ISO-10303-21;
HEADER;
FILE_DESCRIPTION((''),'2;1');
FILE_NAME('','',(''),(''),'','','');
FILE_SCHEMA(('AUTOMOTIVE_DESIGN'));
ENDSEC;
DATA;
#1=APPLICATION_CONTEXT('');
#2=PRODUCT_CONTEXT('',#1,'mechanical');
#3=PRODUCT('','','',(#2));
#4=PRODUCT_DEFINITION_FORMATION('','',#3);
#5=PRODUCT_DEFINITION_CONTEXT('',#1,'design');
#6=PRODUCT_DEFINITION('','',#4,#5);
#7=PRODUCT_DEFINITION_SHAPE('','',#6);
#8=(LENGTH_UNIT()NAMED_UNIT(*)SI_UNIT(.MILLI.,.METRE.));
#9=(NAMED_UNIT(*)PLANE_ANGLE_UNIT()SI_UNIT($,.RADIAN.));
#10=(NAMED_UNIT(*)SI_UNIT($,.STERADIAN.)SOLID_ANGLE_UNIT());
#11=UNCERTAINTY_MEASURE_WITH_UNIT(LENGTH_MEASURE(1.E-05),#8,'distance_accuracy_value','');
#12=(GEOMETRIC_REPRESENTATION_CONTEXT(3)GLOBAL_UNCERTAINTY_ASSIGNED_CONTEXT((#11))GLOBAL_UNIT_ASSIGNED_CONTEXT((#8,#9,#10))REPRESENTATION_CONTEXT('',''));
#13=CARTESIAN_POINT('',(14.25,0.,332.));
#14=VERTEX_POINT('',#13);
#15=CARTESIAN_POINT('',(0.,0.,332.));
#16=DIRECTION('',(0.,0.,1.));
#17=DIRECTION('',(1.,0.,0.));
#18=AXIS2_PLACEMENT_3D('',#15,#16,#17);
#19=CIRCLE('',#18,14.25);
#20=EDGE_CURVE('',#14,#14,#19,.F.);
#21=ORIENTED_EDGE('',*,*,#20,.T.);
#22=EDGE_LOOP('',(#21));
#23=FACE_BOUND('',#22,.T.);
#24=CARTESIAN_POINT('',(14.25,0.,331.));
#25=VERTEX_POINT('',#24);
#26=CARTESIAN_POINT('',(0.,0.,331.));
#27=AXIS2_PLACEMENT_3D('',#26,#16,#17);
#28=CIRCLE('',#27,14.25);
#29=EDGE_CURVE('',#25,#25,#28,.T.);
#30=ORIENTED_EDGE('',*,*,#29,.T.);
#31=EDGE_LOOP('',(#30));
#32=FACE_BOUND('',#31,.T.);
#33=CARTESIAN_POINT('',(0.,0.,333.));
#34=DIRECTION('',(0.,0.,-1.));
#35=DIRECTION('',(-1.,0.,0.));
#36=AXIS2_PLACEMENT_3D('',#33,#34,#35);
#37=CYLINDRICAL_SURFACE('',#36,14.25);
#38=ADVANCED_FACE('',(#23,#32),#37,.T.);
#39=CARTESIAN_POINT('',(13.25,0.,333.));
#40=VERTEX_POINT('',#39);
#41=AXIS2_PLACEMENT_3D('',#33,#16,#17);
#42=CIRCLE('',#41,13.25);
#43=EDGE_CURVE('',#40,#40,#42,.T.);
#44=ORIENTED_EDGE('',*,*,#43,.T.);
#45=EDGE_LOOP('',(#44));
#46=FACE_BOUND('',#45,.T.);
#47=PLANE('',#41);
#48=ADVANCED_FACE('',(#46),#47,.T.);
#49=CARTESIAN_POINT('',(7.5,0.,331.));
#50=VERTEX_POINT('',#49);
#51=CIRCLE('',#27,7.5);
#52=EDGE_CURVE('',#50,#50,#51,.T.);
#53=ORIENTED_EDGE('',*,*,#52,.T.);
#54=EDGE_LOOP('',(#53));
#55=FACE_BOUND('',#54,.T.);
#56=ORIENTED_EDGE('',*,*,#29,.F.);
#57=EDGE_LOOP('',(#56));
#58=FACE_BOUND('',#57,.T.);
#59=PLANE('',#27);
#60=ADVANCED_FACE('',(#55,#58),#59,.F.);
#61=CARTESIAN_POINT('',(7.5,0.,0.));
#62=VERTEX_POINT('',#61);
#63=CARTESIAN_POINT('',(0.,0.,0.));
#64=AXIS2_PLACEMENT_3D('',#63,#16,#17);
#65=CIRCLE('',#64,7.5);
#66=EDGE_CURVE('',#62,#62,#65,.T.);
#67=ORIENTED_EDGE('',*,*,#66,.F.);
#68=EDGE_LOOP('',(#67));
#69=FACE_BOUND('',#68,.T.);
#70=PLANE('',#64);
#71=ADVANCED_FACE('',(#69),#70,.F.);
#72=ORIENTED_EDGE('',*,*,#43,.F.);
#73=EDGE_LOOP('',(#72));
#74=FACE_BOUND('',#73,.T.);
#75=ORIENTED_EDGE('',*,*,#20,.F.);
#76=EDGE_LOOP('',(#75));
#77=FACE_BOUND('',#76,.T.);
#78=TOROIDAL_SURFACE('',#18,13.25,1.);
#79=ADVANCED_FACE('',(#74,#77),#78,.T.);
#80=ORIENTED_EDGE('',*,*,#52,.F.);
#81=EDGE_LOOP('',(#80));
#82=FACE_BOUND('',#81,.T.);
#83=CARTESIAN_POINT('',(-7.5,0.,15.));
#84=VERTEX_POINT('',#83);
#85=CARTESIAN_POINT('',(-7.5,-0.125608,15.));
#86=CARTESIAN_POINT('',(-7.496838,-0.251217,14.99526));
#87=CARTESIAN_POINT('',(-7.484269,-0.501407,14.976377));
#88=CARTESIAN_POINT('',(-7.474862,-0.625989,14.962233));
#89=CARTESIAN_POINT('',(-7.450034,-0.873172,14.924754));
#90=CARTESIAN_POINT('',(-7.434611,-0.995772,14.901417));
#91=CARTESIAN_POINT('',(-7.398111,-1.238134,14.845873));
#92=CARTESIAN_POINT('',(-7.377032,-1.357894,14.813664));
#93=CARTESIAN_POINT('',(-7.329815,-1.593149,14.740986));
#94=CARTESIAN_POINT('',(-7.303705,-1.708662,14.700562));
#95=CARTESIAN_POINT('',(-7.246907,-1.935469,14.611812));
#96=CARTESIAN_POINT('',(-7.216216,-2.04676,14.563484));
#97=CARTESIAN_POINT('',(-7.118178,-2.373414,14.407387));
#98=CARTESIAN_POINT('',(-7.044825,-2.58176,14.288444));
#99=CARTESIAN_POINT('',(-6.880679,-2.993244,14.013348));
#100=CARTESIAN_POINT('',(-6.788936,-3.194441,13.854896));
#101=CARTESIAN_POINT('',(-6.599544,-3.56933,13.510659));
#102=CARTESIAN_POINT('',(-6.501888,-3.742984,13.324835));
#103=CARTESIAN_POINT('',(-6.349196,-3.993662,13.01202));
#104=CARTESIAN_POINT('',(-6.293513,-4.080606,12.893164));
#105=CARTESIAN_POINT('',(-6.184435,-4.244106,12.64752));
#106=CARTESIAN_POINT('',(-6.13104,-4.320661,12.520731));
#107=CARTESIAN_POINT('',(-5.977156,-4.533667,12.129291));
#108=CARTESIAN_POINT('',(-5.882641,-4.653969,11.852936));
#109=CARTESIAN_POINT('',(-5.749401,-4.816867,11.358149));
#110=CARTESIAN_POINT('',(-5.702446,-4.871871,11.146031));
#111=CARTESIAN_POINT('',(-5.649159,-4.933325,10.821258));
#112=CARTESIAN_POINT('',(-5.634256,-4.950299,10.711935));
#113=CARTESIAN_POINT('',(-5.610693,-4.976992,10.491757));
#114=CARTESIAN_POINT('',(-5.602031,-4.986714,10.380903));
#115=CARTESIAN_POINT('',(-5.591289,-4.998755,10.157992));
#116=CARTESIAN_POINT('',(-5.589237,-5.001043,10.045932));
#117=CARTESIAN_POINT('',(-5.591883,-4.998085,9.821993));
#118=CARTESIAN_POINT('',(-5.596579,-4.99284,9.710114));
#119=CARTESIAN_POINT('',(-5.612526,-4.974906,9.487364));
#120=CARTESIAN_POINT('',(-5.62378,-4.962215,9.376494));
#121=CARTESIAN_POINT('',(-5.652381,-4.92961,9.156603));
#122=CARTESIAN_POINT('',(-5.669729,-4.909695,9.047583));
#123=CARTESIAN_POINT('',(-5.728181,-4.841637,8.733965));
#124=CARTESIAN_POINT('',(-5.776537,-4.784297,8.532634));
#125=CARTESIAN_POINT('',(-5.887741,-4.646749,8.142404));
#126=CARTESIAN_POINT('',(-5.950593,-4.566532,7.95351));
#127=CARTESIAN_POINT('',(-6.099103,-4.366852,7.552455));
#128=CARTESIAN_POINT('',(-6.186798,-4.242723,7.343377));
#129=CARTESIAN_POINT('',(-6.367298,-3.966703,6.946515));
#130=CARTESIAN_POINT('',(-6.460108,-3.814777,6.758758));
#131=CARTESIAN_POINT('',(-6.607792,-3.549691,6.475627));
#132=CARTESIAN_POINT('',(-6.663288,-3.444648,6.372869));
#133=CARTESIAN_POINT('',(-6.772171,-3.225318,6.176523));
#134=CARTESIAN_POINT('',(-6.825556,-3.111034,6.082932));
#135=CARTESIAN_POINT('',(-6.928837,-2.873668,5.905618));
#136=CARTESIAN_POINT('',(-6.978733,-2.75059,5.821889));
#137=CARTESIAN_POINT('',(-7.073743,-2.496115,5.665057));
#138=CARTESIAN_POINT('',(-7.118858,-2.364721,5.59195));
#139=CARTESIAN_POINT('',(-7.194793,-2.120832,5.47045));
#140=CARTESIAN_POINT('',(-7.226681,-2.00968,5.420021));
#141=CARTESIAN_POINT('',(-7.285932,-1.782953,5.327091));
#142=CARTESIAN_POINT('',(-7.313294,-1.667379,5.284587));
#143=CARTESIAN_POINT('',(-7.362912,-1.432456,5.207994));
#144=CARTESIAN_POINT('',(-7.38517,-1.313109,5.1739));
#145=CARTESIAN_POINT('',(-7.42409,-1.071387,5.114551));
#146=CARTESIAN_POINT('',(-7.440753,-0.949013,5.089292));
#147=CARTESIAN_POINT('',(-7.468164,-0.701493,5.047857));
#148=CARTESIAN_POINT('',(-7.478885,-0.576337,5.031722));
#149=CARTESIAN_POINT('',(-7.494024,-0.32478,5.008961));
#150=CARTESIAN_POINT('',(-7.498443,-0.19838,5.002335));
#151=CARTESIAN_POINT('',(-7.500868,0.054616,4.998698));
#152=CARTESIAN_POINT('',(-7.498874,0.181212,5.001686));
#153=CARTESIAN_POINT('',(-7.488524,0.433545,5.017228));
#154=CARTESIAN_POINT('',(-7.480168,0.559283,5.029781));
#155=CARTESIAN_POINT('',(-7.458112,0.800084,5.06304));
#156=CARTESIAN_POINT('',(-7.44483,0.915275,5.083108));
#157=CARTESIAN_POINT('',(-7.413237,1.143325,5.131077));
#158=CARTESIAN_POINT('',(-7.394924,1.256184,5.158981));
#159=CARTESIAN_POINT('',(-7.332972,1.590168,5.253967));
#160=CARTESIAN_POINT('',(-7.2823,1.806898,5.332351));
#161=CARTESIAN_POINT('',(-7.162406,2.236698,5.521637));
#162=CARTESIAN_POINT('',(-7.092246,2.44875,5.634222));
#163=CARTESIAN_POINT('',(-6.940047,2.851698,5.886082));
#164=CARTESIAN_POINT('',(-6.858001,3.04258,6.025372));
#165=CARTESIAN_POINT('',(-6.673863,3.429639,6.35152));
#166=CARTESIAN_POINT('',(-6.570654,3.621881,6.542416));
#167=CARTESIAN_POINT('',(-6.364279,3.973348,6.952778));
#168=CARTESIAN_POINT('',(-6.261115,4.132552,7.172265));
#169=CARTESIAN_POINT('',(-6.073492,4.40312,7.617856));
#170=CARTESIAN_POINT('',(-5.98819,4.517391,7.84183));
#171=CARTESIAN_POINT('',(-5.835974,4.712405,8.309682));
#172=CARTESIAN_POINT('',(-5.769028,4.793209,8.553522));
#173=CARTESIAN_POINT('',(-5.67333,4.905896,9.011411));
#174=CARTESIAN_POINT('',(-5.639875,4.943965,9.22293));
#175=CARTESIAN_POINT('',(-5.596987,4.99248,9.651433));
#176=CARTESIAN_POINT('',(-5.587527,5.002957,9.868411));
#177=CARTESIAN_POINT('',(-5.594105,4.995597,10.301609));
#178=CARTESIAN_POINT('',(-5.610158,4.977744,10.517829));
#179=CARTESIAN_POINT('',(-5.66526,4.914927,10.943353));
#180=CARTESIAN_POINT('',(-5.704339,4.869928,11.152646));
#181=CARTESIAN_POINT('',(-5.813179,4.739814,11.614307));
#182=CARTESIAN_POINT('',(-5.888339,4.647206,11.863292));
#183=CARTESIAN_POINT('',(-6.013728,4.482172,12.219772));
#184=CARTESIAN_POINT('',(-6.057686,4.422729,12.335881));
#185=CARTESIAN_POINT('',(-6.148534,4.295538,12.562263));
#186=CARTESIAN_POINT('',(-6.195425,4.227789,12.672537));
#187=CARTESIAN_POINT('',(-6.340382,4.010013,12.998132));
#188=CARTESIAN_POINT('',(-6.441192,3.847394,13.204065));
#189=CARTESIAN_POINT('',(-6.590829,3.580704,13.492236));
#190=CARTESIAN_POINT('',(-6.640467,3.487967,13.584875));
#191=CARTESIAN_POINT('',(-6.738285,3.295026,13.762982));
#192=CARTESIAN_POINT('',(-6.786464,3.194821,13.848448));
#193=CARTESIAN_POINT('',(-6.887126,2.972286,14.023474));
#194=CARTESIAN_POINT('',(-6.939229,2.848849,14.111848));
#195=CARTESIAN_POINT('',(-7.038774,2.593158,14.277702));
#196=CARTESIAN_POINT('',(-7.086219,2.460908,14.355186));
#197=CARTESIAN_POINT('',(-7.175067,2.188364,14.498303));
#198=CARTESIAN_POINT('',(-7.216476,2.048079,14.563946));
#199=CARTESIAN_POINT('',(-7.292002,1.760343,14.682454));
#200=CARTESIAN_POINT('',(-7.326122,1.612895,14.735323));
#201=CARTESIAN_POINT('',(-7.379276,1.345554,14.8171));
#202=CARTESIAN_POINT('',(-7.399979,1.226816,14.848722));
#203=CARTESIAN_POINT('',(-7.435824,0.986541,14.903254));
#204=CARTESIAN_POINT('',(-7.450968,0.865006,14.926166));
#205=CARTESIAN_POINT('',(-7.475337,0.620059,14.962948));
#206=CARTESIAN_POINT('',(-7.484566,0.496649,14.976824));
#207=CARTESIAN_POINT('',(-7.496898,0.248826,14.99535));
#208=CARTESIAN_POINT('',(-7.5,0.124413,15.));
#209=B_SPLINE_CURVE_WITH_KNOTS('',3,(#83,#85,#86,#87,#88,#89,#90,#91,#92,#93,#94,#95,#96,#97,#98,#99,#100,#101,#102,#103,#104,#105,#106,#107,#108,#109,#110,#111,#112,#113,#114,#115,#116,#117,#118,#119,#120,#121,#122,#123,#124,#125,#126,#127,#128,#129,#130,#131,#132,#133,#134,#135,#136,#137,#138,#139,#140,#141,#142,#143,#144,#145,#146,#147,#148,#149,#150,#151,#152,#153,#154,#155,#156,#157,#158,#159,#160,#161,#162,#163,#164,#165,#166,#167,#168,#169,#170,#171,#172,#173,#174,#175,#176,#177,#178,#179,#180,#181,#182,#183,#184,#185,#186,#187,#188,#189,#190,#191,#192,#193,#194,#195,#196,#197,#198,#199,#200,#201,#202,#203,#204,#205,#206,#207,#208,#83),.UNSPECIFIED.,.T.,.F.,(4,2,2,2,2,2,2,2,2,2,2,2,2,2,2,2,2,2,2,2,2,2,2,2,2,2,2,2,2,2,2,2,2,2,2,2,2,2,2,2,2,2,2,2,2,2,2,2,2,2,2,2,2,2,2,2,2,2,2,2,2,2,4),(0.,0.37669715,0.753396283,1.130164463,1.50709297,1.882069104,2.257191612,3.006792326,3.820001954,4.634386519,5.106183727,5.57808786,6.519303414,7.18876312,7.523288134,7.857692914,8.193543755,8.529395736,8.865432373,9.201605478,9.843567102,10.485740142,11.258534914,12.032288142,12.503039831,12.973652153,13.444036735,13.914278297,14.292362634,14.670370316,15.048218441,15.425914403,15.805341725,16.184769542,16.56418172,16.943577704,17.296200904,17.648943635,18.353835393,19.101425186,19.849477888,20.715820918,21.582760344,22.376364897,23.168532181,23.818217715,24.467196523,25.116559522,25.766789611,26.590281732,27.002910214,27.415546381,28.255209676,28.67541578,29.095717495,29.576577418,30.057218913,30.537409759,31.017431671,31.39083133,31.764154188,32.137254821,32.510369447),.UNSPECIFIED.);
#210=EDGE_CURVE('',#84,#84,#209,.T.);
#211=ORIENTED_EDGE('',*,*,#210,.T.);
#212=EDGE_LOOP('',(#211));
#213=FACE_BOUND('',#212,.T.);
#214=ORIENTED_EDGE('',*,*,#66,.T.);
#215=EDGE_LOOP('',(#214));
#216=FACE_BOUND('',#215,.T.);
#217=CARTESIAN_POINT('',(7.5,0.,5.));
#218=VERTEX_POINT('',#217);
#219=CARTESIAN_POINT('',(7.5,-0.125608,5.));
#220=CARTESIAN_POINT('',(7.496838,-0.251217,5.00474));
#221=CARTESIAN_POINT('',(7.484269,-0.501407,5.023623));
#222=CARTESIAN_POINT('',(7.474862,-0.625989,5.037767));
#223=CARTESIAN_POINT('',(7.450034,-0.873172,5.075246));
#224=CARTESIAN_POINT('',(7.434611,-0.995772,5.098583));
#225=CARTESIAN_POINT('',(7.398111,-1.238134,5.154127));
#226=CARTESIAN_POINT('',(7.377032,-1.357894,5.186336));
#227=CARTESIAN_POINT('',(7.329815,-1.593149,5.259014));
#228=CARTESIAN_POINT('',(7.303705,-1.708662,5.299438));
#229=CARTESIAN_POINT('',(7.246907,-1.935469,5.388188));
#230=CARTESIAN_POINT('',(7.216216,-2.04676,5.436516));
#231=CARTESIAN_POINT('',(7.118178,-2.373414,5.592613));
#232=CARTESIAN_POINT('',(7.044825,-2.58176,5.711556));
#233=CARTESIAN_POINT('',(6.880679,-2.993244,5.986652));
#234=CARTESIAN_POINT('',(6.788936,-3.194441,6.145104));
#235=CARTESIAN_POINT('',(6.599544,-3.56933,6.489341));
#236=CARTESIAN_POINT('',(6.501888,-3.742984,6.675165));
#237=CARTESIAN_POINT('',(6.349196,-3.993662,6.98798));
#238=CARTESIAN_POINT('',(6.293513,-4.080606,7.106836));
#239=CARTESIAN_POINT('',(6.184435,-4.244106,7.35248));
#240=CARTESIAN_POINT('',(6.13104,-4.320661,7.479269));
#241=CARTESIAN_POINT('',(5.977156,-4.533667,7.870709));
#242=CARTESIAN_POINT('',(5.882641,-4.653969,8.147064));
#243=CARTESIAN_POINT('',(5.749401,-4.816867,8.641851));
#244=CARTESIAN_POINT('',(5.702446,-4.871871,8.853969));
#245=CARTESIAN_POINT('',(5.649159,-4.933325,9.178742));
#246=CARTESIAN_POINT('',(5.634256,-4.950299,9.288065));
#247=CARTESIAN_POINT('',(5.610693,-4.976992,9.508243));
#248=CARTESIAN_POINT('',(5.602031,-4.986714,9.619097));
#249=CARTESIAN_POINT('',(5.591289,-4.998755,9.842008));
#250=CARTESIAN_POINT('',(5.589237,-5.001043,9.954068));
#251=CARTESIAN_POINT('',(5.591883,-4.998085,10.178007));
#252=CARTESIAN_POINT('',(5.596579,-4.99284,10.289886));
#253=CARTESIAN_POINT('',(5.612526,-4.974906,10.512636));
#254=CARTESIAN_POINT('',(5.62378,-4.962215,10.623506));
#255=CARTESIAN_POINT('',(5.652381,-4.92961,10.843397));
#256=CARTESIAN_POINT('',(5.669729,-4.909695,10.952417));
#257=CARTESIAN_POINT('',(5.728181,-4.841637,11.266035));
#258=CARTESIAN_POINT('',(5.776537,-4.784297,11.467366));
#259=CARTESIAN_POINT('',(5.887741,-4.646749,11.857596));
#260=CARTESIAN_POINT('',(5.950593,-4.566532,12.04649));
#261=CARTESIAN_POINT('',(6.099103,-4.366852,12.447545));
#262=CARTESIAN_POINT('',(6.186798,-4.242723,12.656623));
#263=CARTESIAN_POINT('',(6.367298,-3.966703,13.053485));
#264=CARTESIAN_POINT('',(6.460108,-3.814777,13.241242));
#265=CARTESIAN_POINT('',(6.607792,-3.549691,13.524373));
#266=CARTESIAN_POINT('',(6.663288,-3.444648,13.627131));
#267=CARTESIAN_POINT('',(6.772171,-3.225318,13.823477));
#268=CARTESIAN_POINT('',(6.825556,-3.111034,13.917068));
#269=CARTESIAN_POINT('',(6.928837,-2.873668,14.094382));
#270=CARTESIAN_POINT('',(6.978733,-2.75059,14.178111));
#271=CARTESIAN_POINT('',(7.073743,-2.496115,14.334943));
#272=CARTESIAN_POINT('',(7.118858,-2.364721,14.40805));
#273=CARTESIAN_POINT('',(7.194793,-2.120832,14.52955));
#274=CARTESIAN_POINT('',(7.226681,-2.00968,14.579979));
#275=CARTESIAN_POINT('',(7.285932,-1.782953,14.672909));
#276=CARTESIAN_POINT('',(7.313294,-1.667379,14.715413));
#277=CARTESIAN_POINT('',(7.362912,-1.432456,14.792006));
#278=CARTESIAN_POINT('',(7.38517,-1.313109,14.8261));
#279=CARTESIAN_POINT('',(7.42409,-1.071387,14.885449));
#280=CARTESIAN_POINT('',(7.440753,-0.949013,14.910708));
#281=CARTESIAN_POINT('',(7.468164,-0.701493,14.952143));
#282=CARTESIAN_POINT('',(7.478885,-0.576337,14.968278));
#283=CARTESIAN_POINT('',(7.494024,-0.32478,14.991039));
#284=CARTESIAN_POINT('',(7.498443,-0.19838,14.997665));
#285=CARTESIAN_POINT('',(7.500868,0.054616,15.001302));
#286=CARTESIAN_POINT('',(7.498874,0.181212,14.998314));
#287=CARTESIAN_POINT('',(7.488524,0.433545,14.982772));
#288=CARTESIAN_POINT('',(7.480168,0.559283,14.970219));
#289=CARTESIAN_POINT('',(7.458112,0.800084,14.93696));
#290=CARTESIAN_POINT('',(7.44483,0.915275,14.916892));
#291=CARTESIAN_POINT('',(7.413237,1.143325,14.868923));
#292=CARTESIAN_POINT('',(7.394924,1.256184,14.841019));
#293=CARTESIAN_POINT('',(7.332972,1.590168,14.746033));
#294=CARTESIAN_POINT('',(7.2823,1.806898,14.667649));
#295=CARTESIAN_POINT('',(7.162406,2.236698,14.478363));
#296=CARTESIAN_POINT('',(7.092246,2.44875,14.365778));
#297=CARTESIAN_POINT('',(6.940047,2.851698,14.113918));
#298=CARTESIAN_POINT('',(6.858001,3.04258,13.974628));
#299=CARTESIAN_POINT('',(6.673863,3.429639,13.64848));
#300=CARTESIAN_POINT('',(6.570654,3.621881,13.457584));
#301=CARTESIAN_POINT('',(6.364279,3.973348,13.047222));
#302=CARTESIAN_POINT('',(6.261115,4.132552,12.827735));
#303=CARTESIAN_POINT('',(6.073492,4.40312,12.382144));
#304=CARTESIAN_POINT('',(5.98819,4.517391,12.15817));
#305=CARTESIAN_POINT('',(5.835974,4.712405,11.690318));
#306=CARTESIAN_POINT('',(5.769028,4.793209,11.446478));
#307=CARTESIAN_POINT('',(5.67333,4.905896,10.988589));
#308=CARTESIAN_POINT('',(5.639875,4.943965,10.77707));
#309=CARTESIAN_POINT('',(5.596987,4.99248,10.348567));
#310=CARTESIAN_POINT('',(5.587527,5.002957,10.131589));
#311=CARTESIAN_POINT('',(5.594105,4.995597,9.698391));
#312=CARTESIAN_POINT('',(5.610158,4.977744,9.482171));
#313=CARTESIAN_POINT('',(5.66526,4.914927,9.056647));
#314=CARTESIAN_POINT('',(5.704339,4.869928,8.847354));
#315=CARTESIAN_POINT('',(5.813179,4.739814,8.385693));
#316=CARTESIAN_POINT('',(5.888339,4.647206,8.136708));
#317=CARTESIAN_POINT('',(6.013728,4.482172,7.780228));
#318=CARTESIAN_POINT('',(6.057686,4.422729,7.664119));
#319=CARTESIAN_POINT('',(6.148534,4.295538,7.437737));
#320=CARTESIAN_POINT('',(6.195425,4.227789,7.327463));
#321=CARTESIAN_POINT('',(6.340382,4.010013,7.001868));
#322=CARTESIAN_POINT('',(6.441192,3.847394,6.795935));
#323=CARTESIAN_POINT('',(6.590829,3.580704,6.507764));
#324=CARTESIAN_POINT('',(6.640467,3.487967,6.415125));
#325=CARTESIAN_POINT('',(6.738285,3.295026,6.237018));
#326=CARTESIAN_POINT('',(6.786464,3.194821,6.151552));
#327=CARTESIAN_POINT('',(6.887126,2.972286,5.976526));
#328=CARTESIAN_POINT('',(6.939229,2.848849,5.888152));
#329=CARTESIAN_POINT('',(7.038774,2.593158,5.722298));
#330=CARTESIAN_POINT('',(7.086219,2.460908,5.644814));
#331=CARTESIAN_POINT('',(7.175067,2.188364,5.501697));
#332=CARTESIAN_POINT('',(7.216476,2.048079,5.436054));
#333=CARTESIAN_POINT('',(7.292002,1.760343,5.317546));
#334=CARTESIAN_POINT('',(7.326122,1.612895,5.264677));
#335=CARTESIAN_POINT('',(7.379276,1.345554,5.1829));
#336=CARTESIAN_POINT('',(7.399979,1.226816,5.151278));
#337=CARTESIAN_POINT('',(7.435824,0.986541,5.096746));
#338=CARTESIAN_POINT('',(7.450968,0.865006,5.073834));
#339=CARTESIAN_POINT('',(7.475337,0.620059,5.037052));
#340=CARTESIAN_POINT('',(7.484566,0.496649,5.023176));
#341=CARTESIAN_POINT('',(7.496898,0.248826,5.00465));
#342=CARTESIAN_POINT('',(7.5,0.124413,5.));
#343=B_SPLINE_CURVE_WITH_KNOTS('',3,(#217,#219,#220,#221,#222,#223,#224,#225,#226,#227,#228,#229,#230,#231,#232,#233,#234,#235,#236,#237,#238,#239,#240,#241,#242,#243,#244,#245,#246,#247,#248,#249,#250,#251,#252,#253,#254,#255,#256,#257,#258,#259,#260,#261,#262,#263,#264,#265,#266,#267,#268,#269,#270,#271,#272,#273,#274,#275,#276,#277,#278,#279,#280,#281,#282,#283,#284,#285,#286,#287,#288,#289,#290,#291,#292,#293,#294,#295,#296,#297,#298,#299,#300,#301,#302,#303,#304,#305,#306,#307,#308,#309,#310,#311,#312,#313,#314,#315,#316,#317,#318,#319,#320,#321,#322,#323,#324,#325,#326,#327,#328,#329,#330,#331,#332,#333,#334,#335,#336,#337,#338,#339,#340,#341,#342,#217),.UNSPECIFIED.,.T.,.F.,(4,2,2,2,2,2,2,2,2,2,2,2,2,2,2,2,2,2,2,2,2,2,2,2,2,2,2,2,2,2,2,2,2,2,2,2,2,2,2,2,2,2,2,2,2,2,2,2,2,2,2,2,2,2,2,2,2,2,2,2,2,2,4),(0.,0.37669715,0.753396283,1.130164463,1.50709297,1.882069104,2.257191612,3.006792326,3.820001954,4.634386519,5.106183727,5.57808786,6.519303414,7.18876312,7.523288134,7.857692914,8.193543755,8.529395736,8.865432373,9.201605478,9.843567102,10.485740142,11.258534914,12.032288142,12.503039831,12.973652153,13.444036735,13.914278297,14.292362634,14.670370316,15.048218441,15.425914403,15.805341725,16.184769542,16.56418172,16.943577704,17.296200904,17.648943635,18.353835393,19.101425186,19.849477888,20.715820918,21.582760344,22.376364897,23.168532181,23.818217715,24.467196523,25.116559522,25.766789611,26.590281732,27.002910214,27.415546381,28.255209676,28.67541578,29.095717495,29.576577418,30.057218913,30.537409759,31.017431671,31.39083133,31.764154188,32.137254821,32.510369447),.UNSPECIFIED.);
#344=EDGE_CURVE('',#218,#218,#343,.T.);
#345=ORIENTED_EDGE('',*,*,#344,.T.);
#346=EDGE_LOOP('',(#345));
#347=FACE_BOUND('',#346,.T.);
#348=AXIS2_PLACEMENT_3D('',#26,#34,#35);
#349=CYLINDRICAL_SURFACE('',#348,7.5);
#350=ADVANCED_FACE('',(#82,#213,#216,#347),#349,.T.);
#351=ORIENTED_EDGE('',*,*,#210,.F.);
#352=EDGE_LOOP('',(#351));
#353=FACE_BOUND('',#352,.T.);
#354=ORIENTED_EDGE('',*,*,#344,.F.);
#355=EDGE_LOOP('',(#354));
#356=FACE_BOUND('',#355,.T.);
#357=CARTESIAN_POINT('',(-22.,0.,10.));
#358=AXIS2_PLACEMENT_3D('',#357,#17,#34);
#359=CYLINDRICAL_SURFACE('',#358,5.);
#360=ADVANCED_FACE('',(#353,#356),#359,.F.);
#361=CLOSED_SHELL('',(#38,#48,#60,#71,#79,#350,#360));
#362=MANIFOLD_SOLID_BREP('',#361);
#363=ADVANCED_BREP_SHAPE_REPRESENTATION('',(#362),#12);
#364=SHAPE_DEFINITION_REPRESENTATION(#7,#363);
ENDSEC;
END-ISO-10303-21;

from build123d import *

# Parameters (mm, degrees)
IZIM1_R                     = 7.5
Y_KSEKLIK_EKSTR_ZYON1_DEPTH = 331
IZIM2_R                     = 14.25
Y_KSEKLIK_EKSTR_ZYON2_DEPTH = 2
RADYUS1_R                   = 1
IZIM6_R                     = 5
KES_EKSTR_ZYON1_DEPTH       = 22


with BuildPart() as part:
    # Çizim1 → Yükseklik-Ekstrüzyon1 (new body)
    with BuildSketch(Plane.XY):
        Circle(IZIM1_R)
    extrude(amount=Y_KSEKLIK_EKSTR_ZYON1_DEPTH)

    # Çizim2 → Yükseklik-Ekstrüzyon2 (add)
    with BuildSketch(Plane.XY.offset(331)):
        Circle(IZIM2_R)
    extrude(amount=Y_KSEKLIK_EKSTR_ZYON2_DEPTH)

    # Radyus1
    radyus1_edges = [part.edges().sort_by_distance(p)[0] for p in [
        (-14.25, 0, 333),
    ]]
    fillet(radyus1_edges, radius=RADYUS1_R)

    # Çizim6 → Kes-Ekstrüzyon1 (cut, symmetric)
    with BuildSketch(Plane(origin=(0, 0, 0), x_dir=(0, 0, -1), z_dir=(1, 0, 0))):
        with Locations((-10, 0)):
            Circle(IZIM6_R)
    extrude(amount=KES_EKSTR_ZYON1_DEPTH, both=True, mode=Mode.SUBTRACT)


solid = part.part
